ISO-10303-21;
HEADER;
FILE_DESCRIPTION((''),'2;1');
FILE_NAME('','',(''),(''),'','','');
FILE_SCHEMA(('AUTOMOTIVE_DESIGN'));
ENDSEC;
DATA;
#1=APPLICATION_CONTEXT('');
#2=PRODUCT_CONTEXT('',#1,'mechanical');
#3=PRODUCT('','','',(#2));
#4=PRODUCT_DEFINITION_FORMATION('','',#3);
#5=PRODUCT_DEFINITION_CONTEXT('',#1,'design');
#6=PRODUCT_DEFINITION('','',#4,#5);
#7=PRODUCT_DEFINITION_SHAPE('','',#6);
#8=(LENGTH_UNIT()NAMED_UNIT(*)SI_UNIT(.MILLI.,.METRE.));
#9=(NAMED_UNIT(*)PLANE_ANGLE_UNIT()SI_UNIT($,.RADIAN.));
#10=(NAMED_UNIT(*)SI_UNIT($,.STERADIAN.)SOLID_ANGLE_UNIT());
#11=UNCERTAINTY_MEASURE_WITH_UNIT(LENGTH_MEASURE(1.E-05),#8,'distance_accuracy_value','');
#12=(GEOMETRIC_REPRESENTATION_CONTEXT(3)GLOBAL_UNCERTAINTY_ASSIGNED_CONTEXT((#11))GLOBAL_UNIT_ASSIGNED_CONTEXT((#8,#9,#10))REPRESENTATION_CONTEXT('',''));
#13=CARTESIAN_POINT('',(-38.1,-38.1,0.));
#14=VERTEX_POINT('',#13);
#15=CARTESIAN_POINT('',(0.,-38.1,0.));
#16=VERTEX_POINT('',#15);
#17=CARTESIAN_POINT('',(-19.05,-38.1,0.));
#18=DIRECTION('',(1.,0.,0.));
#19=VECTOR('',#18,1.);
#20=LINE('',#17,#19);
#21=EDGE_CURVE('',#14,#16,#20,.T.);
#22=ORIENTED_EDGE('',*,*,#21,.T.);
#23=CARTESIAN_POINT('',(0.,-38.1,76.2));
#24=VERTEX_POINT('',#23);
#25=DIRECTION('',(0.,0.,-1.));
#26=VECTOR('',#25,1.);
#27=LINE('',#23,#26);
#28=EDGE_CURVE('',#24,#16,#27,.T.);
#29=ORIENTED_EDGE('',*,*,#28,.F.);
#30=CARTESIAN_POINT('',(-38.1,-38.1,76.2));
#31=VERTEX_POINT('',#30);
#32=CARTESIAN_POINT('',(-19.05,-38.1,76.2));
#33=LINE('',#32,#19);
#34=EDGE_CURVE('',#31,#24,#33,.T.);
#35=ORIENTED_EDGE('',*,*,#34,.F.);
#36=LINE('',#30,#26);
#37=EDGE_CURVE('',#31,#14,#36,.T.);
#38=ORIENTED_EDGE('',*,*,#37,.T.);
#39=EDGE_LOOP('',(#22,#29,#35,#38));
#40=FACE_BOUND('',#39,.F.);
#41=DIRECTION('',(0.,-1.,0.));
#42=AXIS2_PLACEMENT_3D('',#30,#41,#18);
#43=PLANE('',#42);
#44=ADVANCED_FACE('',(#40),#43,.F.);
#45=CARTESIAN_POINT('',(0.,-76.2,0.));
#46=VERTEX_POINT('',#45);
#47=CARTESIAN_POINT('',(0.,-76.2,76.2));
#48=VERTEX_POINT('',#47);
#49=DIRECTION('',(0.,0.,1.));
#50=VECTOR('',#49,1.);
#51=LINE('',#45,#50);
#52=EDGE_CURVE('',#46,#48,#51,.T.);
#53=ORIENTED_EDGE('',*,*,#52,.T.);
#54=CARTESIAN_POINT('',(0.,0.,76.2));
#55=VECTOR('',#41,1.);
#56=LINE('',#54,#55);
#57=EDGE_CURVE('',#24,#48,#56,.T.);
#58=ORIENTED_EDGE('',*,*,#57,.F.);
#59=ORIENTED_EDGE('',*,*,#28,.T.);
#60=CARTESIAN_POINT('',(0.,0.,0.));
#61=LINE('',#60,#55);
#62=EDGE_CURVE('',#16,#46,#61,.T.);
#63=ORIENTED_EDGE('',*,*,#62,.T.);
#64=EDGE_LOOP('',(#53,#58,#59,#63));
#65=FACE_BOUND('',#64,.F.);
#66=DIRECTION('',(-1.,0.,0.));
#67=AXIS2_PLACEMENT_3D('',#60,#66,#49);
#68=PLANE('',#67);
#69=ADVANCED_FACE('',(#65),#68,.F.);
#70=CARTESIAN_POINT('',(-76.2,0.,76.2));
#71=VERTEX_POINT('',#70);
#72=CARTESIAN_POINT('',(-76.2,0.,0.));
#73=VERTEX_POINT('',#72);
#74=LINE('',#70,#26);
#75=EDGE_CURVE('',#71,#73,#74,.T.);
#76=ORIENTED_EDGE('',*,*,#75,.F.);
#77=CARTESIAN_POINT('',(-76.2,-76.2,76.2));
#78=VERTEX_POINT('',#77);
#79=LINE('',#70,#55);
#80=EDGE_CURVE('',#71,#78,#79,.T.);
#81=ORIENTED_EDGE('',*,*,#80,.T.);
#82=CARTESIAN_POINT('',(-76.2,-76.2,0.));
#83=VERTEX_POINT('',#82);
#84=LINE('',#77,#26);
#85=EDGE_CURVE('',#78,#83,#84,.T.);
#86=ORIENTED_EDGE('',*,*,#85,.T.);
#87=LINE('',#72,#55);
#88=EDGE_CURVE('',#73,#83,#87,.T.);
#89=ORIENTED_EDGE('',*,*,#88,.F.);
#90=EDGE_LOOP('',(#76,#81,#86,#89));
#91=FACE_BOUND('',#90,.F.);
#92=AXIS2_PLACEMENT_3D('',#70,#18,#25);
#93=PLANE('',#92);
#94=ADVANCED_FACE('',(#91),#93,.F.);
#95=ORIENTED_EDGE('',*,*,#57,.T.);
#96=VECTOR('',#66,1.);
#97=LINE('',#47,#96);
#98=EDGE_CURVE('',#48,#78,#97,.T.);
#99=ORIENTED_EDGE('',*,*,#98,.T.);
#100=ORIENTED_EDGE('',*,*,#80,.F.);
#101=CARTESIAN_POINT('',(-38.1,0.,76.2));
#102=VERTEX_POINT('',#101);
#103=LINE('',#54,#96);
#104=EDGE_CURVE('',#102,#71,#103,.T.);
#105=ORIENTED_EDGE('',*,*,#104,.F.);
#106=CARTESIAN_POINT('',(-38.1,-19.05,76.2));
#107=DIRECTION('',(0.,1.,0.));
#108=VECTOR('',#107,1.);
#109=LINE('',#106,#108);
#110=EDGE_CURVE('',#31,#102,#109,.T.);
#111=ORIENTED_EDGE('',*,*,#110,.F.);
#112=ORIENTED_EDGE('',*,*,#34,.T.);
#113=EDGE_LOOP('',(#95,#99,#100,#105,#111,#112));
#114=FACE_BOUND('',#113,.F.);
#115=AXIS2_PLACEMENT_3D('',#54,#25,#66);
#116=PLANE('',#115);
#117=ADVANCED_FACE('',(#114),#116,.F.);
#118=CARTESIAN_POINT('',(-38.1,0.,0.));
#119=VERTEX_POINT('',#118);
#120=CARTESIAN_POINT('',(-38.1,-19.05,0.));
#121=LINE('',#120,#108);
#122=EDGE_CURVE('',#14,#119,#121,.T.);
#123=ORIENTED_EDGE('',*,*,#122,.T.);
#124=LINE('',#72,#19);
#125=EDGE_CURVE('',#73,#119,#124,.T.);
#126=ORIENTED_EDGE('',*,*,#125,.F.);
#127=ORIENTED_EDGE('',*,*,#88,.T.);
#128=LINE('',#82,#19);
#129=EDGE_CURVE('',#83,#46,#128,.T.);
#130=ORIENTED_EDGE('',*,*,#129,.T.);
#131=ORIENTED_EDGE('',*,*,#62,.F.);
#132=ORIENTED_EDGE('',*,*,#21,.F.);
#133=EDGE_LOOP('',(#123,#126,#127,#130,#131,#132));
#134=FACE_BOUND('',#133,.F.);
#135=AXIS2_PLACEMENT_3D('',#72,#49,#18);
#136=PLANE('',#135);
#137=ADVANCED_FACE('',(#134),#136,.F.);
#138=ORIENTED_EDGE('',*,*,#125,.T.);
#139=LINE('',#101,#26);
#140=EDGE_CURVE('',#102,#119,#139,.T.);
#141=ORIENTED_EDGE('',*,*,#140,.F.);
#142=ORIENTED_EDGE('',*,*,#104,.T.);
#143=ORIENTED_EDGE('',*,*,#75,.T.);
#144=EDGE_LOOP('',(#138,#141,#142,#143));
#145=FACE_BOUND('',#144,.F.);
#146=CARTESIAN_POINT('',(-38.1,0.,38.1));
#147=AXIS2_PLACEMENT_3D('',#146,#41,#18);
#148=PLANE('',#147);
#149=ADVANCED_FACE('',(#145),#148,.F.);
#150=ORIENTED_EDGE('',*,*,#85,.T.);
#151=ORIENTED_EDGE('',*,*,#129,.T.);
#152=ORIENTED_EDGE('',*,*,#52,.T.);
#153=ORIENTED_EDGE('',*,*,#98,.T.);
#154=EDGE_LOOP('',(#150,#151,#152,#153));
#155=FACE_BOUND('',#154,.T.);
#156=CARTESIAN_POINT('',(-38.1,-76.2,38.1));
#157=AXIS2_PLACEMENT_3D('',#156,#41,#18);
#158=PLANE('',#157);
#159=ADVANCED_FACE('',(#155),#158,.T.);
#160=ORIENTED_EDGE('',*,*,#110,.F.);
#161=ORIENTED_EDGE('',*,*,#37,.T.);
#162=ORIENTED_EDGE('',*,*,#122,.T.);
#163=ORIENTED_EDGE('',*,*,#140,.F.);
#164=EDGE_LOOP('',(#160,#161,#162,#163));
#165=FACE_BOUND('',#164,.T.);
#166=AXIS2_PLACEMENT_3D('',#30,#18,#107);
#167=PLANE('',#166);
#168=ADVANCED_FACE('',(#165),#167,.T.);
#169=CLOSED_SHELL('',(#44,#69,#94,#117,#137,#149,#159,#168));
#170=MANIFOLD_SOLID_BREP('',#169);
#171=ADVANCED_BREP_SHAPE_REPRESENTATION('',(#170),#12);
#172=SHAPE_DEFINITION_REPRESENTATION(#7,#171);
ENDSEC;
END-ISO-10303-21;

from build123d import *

# Parameters (mm, degrees)
F1_DEPTH = 76.2
F2_W     = 38.1
F2_H     = 38.1
F3_DEPTH = 76.2


with BuildPart() as f1:
    # F0 (on Front) → F1 (new body)
    with BuildSketch(Plane.XZ):
        Polygon((-76.2, 0), (0, 0), (0, 38.1), (0, 76.2), (-38.1, 76.2), (-76.2, 76.2), align=None)
    extrude(amount=F1_DEPTH)

    # F2 (on face) → F3 (cut)
    with BuildSketch(Plane.XY.offset(76.2)):
        with Locations((-19.05, -19.05)):
            Rectangle(F2_W, F2_H)
    extrude(amount=-F3_DEPTH, mode=Mode.SUBTRACT)


solid = f1.part
